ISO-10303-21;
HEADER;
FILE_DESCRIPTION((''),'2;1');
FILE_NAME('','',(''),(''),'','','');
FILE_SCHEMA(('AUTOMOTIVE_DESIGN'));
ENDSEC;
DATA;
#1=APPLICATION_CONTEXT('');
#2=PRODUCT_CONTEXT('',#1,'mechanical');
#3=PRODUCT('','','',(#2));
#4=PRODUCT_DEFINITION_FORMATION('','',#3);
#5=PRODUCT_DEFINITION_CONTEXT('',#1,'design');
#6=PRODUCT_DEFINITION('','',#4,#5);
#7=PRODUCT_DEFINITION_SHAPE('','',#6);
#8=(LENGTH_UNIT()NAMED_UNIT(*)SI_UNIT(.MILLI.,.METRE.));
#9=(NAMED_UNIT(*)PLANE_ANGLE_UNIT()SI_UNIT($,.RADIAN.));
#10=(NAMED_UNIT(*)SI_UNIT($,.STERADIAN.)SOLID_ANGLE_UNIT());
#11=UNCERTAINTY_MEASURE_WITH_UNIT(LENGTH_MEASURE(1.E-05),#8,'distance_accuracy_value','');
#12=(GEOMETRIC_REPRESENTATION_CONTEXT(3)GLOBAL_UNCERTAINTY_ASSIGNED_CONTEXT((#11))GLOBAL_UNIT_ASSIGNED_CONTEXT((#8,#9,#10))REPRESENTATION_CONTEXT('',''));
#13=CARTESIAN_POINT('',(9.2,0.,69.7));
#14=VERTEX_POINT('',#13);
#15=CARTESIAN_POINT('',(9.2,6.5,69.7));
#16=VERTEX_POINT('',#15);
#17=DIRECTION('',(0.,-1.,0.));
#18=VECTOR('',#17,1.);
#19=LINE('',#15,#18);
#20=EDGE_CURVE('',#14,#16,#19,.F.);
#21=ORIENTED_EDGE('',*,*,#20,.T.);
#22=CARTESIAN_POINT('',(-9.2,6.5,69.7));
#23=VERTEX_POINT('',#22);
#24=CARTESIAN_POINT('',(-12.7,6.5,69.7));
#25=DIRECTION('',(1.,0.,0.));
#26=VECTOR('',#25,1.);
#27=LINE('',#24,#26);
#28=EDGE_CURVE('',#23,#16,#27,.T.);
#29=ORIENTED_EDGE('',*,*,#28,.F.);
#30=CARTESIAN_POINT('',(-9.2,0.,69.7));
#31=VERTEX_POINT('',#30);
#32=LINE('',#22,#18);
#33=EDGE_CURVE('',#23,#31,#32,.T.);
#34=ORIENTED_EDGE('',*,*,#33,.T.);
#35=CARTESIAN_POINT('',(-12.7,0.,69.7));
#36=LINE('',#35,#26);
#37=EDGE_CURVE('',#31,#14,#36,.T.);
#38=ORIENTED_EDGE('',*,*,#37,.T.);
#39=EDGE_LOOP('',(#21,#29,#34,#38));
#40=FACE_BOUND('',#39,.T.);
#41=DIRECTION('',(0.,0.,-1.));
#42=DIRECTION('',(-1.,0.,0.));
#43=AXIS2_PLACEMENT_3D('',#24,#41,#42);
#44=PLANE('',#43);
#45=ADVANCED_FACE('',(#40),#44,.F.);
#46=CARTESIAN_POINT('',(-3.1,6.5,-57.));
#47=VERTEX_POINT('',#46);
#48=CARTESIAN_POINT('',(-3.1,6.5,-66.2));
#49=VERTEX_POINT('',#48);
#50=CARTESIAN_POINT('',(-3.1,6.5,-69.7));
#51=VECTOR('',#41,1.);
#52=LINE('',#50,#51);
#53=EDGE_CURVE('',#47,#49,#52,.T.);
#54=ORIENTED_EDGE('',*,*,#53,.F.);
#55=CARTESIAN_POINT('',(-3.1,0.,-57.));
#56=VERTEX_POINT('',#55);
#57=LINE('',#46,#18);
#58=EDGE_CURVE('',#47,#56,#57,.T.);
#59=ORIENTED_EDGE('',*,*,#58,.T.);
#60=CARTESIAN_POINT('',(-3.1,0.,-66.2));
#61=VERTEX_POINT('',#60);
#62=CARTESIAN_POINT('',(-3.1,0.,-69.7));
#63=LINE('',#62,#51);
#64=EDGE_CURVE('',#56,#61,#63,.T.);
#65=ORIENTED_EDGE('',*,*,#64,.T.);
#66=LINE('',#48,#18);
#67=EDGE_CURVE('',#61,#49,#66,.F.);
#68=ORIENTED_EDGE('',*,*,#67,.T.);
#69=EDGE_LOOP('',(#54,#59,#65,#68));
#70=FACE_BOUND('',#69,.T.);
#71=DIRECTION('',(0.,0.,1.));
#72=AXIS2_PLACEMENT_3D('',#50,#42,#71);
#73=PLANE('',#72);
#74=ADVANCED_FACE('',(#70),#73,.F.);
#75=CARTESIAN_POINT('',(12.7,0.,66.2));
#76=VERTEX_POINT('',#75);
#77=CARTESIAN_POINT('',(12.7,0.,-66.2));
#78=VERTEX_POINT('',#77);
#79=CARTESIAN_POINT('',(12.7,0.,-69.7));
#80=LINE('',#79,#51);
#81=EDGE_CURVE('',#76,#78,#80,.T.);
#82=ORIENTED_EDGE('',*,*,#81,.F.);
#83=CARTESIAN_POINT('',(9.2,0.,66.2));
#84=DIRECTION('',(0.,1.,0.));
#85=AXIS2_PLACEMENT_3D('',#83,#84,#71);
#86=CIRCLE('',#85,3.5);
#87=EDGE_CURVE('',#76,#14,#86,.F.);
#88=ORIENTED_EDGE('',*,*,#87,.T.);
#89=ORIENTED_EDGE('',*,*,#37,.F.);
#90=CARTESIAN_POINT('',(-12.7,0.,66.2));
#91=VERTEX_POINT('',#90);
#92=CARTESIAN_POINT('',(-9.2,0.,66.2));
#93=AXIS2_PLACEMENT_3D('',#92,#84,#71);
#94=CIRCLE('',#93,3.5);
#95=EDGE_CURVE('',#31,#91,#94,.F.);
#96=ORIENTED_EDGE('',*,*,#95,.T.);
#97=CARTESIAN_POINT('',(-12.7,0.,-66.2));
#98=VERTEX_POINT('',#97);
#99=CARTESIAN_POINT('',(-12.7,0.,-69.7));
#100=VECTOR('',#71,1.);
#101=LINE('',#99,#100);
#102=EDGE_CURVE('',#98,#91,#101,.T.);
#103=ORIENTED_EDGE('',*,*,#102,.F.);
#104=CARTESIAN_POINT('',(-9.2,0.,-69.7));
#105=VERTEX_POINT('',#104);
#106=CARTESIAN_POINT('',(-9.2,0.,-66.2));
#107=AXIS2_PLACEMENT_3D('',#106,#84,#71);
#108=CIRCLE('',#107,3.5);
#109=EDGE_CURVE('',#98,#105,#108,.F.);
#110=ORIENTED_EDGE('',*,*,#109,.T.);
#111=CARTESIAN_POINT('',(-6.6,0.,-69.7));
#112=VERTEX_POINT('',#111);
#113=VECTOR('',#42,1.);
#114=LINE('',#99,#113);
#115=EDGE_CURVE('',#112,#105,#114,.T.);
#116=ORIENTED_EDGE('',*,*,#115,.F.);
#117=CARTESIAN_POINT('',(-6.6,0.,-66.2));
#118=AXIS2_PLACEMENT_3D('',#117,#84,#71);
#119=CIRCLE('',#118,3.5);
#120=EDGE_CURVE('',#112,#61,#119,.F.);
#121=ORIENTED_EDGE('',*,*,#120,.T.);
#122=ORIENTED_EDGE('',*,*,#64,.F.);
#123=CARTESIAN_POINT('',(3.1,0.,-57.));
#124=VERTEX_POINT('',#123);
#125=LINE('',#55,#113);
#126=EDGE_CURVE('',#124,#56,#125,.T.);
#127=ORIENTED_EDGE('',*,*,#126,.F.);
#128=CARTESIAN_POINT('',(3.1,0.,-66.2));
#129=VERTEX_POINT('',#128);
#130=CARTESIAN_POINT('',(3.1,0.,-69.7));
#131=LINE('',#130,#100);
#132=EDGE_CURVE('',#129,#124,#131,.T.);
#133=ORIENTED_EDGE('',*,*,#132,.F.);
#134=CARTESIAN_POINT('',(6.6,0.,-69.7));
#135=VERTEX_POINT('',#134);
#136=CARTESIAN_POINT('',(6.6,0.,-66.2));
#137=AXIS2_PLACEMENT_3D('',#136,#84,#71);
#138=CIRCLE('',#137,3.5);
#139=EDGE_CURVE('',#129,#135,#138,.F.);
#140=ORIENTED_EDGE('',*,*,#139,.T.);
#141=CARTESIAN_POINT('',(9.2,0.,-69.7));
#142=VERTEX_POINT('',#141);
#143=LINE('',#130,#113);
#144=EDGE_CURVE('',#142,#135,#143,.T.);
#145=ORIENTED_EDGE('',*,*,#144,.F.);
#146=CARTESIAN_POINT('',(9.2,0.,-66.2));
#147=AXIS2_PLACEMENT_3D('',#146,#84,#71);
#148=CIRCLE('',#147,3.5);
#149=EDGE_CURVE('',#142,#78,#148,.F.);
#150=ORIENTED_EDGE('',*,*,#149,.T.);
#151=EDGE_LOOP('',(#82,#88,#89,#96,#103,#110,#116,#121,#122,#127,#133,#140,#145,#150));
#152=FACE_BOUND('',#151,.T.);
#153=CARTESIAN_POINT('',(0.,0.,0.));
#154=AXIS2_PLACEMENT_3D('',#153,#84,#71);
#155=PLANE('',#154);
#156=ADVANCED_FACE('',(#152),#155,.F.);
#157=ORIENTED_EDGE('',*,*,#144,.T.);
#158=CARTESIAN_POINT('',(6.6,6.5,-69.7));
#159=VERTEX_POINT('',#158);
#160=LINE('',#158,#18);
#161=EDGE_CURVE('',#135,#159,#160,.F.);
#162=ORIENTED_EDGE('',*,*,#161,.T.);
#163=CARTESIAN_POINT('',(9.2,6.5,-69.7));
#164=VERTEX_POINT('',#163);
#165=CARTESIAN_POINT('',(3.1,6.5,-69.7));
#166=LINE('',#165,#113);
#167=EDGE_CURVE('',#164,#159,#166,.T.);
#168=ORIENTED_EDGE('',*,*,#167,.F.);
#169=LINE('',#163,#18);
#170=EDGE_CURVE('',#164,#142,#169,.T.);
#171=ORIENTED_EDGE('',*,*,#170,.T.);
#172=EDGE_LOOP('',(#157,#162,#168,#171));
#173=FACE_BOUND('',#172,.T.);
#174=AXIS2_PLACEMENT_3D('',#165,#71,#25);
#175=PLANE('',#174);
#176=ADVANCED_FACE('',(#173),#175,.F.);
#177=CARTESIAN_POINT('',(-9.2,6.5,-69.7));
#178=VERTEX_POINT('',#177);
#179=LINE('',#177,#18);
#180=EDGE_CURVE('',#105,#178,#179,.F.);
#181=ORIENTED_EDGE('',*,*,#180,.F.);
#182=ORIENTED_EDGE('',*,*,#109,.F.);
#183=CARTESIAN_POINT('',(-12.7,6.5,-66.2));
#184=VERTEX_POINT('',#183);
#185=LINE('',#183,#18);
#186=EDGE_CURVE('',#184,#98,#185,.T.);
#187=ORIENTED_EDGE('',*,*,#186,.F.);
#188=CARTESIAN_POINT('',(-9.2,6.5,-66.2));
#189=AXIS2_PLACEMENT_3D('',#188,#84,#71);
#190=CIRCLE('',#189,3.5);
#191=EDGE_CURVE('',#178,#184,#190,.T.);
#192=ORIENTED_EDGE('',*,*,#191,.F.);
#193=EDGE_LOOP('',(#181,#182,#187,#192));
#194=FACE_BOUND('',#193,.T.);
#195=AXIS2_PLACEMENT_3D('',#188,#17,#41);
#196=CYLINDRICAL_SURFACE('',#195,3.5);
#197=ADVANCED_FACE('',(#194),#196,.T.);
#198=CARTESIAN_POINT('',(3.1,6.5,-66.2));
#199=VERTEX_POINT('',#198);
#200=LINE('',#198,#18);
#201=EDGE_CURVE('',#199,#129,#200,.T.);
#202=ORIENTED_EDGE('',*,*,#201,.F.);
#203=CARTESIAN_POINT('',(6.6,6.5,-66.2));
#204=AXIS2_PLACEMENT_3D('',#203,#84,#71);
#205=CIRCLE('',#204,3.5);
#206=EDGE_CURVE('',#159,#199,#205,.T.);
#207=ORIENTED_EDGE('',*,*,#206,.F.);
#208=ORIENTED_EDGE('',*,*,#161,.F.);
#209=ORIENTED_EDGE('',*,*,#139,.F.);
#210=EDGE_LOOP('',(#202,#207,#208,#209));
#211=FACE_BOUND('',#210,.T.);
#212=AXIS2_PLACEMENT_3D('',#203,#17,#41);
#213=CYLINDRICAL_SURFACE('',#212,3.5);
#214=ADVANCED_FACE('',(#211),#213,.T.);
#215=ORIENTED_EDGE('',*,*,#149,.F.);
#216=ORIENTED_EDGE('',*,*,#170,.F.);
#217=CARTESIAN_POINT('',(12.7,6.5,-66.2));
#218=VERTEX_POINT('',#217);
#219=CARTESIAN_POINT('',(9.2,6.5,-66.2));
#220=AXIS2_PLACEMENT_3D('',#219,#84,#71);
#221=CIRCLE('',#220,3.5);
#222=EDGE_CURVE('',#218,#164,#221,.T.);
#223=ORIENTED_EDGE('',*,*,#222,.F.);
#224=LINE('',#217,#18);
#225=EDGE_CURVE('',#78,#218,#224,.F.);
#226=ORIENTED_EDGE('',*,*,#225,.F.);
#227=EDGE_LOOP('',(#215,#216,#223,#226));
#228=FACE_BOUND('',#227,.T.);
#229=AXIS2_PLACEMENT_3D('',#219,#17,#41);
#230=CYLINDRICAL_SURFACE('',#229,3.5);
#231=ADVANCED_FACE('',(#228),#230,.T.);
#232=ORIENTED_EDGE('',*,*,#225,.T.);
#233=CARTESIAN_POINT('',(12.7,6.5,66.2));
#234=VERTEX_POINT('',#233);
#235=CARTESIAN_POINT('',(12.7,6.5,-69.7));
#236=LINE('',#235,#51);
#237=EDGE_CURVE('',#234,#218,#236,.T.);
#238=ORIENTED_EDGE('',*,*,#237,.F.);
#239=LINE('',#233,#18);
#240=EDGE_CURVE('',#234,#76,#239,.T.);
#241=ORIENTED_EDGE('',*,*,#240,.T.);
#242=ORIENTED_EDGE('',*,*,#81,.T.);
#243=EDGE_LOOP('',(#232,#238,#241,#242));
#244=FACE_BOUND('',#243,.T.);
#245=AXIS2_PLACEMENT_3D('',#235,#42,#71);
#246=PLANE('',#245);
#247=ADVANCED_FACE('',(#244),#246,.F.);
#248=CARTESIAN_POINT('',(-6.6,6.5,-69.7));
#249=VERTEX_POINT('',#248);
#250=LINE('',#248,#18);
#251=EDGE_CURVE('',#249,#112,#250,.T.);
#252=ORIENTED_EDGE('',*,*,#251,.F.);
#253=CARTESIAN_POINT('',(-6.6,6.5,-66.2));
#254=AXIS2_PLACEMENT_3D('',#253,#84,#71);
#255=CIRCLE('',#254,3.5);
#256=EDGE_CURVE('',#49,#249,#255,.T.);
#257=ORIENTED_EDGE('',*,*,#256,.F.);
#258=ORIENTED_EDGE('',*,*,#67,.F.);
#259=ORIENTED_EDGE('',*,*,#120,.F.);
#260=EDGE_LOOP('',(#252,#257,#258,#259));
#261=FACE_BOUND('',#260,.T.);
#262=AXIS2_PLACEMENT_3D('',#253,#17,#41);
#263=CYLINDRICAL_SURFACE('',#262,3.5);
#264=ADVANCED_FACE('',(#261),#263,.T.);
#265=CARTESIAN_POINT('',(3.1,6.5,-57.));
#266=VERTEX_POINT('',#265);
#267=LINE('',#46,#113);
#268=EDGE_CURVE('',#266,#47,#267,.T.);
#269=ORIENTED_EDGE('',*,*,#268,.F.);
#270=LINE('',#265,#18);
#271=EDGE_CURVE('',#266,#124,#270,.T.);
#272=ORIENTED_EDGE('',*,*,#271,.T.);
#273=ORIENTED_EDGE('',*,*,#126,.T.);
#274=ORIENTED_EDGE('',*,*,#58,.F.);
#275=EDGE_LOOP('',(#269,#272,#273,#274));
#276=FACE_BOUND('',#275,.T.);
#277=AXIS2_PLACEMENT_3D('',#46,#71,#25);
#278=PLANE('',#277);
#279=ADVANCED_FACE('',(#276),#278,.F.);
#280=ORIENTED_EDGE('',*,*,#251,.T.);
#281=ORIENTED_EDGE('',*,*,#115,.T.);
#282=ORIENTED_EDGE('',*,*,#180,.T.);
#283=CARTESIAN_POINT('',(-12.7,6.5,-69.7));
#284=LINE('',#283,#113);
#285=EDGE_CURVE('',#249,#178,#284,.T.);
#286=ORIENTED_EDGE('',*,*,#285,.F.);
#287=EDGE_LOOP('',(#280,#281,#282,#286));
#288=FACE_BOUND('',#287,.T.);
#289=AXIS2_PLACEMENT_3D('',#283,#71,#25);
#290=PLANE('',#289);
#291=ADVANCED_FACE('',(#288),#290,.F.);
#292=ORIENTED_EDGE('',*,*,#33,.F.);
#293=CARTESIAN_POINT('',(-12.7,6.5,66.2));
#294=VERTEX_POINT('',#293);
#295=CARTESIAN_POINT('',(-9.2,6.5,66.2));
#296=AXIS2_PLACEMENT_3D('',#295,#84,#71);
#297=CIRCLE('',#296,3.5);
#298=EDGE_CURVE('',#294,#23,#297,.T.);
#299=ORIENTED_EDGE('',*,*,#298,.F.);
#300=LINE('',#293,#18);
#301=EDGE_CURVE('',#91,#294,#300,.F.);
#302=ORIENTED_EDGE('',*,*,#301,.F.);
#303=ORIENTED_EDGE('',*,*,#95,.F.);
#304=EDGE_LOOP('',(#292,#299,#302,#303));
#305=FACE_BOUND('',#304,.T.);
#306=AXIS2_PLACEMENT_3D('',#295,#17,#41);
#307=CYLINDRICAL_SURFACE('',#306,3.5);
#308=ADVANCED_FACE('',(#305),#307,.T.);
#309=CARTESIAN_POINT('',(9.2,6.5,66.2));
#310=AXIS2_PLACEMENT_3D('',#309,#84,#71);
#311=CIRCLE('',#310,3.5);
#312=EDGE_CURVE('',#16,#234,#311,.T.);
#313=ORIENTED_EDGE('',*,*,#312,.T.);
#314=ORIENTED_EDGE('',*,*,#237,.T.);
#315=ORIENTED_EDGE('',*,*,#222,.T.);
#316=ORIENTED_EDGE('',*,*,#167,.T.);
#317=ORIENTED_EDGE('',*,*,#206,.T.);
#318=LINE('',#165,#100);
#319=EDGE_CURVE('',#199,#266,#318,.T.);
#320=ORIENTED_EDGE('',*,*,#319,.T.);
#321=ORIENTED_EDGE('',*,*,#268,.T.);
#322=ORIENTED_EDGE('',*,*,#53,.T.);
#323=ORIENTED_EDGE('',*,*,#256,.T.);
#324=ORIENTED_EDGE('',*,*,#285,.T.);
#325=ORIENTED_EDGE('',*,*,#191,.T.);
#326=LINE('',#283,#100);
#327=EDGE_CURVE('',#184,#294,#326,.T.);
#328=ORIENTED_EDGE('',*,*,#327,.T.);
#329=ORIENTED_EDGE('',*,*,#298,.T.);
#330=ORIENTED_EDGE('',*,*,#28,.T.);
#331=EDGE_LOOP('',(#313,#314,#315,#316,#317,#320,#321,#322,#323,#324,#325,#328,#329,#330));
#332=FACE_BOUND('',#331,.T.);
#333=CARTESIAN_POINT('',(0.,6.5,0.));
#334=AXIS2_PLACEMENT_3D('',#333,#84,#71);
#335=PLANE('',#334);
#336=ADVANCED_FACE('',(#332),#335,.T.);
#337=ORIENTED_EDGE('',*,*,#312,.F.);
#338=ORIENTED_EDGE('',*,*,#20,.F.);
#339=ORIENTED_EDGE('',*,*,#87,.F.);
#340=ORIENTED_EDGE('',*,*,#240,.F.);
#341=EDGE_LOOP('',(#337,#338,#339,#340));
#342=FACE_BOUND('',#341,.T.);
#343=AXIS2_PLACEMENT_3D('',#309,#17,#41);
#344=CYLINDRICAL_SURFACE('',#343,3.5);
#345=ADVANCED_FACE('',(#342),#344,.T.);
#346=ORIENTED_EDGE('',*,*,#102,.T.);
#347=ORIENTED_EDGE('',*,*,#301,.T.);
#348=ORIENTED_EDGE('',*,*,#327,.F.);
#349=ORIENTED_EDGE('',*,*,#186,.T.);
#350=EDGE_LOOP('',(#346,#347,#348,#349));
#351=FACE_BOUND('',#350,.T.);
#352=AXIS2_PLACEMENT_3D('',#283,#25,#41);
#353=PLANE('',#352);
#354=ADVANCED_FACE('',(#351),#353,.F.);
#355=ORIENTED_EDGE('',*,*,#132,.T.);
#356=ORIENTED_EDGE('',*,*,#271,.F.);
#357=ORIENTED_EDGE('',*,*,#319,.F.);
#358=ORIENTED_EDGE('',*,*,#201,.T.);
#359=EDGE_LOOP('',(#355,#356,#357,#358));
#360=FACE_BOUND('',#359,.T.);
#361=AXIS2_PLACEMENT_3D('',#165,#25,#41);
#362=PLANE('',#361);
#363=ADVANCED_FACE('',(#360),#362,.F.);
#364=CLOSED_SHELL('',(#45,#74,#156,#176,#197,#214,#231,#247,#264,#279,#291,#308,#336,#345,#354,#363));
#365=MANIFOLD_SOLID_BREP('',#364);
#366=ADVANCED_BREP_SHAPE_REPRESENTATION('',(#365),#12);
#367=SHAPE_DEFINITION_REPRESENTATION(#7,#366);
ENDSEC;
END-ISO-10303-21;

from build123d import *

# Parameters (mm, degrees)
BOSS_EXTRUDE1_DEPTH = 6.5
FILLET1_R           = 3.5


with BuildPart() as part:
    # Sketch1 → Boss-Extrude1 (new body)
    with BuildSketch(Plane(origin=(0, 0, 0), x_dir=(1, 0, 0), z_dir=(0, 1, 0))):
        Polygon((3.1, 69.7), (12.7, 69.7), (12.7, -69.7), (-12.7, -69.7), (-12.7, 69.7), (-3.1, 69.7), (-3.1, 57), (3.1, 57), align=None)
    extrude(amount=BOSS_EXTRUDE1_DEPTH)

    # Fillet1
    fillet1_edges = [part.edges().sort_by_distance(p)[0] for p in [
        (12.7, 3.25, 69.7),
        (-12.7, 3.25, 69.7),
        (-12.7, 3.25, -69.7),
        (-3.1, 3.25, -69.7),
        (3.1, 3.25, -69.7),
        (12.7, 3.25, -69.7),
    ]]
    fillet(fillet1_edges, radius=FILLET1_R)


solid = part.part
